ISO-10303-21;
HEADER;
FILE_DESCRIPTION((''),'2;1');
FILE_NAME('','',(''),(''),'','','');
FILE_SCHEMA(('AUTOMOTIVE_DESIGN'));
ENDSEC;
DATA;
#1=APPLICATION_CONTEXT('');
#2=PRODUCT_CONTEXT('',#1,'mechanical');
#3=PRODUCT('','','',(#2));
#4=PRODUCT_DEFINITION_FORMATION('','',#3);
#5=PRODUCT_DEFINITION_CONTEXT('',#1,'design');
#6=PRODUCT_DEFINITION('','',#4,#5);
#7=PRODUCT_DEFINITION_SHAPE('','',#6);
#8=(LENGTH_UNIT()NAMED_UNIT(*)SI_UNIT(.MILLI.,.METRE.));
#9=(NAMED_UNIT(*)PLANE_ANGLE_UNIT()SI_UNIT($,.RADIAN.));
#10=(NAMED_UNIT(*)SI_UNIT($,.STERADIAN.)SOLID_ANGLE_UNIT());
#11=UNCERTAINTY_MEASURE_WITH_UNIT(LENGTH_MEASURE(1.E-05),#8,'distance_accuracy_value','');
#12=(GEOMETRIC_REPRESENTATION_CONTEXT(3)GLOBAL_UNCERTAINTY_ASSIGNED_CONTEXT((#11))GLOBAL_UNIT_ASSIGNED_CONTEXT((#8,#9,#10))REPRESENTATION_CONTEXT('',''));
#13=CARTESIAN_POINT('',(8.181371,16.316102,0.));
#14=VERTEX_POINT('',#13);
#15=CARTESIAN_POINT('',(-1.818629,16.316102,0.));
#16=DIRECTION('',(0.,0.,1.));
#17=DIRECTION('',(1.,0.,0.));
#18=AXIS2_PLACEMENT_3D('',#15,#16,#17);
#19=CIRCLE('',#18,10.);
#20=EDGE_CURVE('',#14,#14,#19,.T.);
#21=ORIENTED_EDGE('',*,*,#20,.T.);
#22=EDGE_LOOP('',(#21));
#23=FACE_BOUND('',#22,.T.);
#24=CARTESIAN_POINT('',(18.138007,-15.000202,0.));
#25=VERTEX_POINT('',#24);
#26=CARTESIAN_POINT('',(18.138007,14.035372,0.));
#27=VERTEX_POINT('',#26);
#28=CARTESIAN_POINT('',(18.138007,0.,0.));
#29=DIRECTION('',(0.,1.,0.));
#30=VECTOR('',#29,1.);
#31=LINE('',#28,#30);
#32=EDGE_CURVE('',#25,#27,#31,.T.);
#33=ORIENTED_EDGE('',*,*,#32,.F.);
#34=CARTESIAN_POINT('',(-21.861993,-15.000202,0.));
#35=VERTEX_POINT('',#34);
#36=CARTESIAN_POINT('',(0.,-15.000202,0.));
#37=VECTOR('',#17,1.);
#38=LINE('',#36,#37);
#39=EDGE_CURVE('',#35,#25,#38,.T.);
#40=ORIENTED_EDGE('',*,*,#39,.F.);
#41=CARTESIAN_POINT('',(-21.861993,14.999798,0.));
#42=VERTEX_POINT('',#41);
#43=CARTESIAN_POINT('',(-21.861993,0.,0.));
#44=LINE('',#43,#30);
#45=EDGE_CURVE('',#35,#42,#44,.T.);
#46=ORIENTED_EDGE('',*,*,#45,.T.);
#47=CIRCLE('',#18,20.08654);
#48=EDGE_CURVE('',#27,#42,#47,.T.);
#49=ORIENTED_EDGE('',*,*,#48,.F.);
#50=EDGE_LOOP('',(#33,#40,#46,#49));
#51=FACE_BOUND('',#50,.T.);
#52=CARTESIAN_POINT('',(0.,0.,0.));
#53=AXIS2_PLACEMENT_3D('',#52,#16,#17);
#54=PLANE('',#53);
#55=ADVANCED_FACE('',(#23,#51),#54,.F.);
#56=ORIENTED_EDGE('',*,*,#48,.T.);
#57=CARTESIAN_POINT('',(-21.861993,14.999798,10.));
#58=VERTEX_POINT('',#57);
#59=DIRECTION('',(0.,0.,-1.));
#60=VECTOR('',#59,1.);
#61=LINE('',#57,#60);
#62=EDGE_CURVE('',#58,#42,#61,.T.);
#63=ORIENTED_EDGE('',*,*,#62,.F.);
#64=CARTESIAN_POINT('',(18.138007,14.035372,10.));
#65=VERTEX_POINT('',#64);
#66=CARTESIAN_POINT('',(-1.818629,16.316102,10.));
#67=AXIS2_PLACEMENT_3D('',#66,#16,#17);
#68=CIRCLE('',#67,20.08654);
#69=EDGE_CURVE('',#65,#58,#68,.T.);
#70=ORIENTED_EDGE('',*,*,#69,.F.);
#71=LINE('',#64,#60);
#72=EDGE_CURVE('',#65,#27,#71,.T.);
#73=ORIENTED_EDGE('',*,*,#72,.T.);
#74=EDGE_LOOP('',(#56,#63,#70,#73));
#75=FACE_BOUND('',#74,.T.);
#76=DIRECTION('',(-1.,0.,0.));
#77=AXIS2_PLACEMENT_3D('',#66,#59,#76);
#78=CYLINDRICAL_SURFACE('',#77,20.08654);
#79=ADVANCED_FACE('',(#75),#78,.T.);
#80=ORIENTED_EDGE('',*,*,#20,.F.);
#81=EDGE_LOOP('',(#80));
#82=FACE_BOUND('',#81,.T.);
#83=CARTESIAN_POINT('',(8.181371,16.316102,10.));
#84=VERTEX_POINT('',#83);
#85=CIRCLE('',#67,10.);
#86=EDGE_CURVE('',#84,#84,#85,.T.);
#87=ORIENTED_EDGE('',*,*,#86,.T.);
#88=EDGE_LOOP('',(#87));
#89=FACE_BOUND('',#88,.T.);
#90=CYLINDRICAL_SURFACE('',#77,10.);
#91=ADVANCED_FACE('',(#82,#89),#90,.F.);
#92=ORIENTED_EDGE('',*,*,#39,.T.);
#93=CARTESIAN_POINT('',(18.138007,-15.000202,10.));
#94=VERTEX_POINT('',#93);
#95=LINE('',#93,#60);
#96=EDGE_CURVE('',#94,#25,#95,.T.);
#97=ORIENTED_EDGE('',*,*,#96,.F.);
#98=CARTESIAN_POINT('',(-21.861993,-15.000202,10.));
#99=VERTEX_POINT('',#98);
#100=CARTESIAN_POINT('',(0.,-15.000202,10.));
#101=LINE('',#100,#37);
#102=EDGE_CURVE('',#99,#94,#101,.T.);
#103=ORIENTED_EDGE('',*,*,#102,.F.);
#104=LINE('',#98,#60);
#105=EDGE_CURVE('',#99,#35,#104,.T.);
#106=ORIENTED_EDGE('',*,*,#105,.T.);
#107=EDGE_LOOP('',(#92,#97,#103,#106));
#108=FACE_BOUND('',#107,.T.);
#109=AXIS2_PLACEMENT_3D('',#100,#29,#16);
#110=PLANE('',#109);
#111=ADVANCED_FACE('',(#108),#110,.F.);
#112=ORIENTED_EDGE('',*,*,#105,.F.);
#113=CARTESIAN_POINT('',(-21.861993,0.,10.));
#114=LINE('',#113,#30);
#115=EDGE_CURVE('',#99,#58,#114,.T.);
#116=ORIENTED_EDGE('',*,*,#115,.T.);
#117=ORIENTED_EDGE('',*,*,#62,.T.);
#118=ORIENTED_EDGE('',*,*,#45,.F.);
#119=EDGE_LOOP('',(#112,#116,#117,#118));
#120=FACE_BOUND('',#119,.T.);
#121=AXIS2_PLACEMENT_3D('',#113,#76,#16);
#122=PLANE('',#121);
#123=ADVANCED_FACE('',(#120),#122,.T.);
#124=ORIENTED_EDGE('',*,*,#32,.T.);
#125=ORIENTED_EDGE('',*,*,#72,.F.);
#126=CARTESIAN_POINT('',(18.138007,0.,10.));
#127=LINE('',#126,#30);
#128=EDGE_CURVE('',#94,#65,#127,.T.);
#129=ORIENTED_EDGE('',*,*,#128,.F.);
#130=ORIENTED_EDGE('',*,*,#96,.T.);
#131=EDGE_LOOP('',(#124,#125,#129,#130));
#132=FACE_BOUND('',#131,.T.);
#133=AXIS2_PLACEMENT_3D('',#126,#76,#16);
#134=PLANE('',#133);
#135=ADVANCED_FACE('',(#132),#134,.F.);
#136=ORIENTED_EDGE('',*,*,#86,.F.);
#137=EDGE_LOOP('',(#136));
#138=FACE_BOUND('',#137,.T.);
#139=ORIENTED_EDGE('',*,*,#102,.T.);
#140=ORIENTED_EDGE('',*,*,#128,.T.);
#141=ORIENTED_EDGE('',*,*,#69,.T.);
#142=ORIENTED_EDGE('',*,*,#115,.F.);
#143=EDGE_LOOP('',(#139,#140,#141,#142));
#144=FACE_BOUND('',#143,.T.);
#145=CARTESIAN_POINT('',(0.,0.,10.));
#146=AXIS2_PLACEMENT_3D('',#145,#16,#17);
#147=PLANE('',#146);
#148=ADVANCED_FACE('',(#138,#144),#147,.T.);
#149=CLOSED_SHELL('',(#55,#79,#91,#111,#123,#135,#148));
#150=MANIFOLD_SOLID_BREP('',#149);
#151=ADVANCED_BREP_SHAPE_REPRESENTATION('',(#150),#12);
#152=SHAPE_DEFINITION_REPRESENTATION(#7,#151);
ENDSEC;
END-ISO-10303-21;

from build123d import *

# Parameters (mm, degrees)
CROQUIS1_R              = 10
SALIENTE_EXTRUIR1_DEPTH = 10


with BuildPart() as part:
    # Croquis1 → Saliente-Extruir1 (new body)
    with BuildSketch(Plane.XY):
        with BuildLine():
            Line((-21.861992619, 14.999798119), (-21.861992619, -15.000201881))
            Line((-21.861992619, -15.000201881), (18.138007381, -15.000201881))
            Line((18.138007381, -15.000201881), (18.138007381, 14.035372217))
            ThreePointArc((18.138007381, 14.035372217), (-1.334470444, 36.396805694), (-21.861992619, 14.999798119))
        make_face()
        with Locations((-1.818629215, 16.316101956)):
            Circle(CROQUIS1_R, mode=Mode.SUBTRACT)
    extrude(amount=SALIENTE_EXTRUIR1_DEPTH)


solid = part.part
